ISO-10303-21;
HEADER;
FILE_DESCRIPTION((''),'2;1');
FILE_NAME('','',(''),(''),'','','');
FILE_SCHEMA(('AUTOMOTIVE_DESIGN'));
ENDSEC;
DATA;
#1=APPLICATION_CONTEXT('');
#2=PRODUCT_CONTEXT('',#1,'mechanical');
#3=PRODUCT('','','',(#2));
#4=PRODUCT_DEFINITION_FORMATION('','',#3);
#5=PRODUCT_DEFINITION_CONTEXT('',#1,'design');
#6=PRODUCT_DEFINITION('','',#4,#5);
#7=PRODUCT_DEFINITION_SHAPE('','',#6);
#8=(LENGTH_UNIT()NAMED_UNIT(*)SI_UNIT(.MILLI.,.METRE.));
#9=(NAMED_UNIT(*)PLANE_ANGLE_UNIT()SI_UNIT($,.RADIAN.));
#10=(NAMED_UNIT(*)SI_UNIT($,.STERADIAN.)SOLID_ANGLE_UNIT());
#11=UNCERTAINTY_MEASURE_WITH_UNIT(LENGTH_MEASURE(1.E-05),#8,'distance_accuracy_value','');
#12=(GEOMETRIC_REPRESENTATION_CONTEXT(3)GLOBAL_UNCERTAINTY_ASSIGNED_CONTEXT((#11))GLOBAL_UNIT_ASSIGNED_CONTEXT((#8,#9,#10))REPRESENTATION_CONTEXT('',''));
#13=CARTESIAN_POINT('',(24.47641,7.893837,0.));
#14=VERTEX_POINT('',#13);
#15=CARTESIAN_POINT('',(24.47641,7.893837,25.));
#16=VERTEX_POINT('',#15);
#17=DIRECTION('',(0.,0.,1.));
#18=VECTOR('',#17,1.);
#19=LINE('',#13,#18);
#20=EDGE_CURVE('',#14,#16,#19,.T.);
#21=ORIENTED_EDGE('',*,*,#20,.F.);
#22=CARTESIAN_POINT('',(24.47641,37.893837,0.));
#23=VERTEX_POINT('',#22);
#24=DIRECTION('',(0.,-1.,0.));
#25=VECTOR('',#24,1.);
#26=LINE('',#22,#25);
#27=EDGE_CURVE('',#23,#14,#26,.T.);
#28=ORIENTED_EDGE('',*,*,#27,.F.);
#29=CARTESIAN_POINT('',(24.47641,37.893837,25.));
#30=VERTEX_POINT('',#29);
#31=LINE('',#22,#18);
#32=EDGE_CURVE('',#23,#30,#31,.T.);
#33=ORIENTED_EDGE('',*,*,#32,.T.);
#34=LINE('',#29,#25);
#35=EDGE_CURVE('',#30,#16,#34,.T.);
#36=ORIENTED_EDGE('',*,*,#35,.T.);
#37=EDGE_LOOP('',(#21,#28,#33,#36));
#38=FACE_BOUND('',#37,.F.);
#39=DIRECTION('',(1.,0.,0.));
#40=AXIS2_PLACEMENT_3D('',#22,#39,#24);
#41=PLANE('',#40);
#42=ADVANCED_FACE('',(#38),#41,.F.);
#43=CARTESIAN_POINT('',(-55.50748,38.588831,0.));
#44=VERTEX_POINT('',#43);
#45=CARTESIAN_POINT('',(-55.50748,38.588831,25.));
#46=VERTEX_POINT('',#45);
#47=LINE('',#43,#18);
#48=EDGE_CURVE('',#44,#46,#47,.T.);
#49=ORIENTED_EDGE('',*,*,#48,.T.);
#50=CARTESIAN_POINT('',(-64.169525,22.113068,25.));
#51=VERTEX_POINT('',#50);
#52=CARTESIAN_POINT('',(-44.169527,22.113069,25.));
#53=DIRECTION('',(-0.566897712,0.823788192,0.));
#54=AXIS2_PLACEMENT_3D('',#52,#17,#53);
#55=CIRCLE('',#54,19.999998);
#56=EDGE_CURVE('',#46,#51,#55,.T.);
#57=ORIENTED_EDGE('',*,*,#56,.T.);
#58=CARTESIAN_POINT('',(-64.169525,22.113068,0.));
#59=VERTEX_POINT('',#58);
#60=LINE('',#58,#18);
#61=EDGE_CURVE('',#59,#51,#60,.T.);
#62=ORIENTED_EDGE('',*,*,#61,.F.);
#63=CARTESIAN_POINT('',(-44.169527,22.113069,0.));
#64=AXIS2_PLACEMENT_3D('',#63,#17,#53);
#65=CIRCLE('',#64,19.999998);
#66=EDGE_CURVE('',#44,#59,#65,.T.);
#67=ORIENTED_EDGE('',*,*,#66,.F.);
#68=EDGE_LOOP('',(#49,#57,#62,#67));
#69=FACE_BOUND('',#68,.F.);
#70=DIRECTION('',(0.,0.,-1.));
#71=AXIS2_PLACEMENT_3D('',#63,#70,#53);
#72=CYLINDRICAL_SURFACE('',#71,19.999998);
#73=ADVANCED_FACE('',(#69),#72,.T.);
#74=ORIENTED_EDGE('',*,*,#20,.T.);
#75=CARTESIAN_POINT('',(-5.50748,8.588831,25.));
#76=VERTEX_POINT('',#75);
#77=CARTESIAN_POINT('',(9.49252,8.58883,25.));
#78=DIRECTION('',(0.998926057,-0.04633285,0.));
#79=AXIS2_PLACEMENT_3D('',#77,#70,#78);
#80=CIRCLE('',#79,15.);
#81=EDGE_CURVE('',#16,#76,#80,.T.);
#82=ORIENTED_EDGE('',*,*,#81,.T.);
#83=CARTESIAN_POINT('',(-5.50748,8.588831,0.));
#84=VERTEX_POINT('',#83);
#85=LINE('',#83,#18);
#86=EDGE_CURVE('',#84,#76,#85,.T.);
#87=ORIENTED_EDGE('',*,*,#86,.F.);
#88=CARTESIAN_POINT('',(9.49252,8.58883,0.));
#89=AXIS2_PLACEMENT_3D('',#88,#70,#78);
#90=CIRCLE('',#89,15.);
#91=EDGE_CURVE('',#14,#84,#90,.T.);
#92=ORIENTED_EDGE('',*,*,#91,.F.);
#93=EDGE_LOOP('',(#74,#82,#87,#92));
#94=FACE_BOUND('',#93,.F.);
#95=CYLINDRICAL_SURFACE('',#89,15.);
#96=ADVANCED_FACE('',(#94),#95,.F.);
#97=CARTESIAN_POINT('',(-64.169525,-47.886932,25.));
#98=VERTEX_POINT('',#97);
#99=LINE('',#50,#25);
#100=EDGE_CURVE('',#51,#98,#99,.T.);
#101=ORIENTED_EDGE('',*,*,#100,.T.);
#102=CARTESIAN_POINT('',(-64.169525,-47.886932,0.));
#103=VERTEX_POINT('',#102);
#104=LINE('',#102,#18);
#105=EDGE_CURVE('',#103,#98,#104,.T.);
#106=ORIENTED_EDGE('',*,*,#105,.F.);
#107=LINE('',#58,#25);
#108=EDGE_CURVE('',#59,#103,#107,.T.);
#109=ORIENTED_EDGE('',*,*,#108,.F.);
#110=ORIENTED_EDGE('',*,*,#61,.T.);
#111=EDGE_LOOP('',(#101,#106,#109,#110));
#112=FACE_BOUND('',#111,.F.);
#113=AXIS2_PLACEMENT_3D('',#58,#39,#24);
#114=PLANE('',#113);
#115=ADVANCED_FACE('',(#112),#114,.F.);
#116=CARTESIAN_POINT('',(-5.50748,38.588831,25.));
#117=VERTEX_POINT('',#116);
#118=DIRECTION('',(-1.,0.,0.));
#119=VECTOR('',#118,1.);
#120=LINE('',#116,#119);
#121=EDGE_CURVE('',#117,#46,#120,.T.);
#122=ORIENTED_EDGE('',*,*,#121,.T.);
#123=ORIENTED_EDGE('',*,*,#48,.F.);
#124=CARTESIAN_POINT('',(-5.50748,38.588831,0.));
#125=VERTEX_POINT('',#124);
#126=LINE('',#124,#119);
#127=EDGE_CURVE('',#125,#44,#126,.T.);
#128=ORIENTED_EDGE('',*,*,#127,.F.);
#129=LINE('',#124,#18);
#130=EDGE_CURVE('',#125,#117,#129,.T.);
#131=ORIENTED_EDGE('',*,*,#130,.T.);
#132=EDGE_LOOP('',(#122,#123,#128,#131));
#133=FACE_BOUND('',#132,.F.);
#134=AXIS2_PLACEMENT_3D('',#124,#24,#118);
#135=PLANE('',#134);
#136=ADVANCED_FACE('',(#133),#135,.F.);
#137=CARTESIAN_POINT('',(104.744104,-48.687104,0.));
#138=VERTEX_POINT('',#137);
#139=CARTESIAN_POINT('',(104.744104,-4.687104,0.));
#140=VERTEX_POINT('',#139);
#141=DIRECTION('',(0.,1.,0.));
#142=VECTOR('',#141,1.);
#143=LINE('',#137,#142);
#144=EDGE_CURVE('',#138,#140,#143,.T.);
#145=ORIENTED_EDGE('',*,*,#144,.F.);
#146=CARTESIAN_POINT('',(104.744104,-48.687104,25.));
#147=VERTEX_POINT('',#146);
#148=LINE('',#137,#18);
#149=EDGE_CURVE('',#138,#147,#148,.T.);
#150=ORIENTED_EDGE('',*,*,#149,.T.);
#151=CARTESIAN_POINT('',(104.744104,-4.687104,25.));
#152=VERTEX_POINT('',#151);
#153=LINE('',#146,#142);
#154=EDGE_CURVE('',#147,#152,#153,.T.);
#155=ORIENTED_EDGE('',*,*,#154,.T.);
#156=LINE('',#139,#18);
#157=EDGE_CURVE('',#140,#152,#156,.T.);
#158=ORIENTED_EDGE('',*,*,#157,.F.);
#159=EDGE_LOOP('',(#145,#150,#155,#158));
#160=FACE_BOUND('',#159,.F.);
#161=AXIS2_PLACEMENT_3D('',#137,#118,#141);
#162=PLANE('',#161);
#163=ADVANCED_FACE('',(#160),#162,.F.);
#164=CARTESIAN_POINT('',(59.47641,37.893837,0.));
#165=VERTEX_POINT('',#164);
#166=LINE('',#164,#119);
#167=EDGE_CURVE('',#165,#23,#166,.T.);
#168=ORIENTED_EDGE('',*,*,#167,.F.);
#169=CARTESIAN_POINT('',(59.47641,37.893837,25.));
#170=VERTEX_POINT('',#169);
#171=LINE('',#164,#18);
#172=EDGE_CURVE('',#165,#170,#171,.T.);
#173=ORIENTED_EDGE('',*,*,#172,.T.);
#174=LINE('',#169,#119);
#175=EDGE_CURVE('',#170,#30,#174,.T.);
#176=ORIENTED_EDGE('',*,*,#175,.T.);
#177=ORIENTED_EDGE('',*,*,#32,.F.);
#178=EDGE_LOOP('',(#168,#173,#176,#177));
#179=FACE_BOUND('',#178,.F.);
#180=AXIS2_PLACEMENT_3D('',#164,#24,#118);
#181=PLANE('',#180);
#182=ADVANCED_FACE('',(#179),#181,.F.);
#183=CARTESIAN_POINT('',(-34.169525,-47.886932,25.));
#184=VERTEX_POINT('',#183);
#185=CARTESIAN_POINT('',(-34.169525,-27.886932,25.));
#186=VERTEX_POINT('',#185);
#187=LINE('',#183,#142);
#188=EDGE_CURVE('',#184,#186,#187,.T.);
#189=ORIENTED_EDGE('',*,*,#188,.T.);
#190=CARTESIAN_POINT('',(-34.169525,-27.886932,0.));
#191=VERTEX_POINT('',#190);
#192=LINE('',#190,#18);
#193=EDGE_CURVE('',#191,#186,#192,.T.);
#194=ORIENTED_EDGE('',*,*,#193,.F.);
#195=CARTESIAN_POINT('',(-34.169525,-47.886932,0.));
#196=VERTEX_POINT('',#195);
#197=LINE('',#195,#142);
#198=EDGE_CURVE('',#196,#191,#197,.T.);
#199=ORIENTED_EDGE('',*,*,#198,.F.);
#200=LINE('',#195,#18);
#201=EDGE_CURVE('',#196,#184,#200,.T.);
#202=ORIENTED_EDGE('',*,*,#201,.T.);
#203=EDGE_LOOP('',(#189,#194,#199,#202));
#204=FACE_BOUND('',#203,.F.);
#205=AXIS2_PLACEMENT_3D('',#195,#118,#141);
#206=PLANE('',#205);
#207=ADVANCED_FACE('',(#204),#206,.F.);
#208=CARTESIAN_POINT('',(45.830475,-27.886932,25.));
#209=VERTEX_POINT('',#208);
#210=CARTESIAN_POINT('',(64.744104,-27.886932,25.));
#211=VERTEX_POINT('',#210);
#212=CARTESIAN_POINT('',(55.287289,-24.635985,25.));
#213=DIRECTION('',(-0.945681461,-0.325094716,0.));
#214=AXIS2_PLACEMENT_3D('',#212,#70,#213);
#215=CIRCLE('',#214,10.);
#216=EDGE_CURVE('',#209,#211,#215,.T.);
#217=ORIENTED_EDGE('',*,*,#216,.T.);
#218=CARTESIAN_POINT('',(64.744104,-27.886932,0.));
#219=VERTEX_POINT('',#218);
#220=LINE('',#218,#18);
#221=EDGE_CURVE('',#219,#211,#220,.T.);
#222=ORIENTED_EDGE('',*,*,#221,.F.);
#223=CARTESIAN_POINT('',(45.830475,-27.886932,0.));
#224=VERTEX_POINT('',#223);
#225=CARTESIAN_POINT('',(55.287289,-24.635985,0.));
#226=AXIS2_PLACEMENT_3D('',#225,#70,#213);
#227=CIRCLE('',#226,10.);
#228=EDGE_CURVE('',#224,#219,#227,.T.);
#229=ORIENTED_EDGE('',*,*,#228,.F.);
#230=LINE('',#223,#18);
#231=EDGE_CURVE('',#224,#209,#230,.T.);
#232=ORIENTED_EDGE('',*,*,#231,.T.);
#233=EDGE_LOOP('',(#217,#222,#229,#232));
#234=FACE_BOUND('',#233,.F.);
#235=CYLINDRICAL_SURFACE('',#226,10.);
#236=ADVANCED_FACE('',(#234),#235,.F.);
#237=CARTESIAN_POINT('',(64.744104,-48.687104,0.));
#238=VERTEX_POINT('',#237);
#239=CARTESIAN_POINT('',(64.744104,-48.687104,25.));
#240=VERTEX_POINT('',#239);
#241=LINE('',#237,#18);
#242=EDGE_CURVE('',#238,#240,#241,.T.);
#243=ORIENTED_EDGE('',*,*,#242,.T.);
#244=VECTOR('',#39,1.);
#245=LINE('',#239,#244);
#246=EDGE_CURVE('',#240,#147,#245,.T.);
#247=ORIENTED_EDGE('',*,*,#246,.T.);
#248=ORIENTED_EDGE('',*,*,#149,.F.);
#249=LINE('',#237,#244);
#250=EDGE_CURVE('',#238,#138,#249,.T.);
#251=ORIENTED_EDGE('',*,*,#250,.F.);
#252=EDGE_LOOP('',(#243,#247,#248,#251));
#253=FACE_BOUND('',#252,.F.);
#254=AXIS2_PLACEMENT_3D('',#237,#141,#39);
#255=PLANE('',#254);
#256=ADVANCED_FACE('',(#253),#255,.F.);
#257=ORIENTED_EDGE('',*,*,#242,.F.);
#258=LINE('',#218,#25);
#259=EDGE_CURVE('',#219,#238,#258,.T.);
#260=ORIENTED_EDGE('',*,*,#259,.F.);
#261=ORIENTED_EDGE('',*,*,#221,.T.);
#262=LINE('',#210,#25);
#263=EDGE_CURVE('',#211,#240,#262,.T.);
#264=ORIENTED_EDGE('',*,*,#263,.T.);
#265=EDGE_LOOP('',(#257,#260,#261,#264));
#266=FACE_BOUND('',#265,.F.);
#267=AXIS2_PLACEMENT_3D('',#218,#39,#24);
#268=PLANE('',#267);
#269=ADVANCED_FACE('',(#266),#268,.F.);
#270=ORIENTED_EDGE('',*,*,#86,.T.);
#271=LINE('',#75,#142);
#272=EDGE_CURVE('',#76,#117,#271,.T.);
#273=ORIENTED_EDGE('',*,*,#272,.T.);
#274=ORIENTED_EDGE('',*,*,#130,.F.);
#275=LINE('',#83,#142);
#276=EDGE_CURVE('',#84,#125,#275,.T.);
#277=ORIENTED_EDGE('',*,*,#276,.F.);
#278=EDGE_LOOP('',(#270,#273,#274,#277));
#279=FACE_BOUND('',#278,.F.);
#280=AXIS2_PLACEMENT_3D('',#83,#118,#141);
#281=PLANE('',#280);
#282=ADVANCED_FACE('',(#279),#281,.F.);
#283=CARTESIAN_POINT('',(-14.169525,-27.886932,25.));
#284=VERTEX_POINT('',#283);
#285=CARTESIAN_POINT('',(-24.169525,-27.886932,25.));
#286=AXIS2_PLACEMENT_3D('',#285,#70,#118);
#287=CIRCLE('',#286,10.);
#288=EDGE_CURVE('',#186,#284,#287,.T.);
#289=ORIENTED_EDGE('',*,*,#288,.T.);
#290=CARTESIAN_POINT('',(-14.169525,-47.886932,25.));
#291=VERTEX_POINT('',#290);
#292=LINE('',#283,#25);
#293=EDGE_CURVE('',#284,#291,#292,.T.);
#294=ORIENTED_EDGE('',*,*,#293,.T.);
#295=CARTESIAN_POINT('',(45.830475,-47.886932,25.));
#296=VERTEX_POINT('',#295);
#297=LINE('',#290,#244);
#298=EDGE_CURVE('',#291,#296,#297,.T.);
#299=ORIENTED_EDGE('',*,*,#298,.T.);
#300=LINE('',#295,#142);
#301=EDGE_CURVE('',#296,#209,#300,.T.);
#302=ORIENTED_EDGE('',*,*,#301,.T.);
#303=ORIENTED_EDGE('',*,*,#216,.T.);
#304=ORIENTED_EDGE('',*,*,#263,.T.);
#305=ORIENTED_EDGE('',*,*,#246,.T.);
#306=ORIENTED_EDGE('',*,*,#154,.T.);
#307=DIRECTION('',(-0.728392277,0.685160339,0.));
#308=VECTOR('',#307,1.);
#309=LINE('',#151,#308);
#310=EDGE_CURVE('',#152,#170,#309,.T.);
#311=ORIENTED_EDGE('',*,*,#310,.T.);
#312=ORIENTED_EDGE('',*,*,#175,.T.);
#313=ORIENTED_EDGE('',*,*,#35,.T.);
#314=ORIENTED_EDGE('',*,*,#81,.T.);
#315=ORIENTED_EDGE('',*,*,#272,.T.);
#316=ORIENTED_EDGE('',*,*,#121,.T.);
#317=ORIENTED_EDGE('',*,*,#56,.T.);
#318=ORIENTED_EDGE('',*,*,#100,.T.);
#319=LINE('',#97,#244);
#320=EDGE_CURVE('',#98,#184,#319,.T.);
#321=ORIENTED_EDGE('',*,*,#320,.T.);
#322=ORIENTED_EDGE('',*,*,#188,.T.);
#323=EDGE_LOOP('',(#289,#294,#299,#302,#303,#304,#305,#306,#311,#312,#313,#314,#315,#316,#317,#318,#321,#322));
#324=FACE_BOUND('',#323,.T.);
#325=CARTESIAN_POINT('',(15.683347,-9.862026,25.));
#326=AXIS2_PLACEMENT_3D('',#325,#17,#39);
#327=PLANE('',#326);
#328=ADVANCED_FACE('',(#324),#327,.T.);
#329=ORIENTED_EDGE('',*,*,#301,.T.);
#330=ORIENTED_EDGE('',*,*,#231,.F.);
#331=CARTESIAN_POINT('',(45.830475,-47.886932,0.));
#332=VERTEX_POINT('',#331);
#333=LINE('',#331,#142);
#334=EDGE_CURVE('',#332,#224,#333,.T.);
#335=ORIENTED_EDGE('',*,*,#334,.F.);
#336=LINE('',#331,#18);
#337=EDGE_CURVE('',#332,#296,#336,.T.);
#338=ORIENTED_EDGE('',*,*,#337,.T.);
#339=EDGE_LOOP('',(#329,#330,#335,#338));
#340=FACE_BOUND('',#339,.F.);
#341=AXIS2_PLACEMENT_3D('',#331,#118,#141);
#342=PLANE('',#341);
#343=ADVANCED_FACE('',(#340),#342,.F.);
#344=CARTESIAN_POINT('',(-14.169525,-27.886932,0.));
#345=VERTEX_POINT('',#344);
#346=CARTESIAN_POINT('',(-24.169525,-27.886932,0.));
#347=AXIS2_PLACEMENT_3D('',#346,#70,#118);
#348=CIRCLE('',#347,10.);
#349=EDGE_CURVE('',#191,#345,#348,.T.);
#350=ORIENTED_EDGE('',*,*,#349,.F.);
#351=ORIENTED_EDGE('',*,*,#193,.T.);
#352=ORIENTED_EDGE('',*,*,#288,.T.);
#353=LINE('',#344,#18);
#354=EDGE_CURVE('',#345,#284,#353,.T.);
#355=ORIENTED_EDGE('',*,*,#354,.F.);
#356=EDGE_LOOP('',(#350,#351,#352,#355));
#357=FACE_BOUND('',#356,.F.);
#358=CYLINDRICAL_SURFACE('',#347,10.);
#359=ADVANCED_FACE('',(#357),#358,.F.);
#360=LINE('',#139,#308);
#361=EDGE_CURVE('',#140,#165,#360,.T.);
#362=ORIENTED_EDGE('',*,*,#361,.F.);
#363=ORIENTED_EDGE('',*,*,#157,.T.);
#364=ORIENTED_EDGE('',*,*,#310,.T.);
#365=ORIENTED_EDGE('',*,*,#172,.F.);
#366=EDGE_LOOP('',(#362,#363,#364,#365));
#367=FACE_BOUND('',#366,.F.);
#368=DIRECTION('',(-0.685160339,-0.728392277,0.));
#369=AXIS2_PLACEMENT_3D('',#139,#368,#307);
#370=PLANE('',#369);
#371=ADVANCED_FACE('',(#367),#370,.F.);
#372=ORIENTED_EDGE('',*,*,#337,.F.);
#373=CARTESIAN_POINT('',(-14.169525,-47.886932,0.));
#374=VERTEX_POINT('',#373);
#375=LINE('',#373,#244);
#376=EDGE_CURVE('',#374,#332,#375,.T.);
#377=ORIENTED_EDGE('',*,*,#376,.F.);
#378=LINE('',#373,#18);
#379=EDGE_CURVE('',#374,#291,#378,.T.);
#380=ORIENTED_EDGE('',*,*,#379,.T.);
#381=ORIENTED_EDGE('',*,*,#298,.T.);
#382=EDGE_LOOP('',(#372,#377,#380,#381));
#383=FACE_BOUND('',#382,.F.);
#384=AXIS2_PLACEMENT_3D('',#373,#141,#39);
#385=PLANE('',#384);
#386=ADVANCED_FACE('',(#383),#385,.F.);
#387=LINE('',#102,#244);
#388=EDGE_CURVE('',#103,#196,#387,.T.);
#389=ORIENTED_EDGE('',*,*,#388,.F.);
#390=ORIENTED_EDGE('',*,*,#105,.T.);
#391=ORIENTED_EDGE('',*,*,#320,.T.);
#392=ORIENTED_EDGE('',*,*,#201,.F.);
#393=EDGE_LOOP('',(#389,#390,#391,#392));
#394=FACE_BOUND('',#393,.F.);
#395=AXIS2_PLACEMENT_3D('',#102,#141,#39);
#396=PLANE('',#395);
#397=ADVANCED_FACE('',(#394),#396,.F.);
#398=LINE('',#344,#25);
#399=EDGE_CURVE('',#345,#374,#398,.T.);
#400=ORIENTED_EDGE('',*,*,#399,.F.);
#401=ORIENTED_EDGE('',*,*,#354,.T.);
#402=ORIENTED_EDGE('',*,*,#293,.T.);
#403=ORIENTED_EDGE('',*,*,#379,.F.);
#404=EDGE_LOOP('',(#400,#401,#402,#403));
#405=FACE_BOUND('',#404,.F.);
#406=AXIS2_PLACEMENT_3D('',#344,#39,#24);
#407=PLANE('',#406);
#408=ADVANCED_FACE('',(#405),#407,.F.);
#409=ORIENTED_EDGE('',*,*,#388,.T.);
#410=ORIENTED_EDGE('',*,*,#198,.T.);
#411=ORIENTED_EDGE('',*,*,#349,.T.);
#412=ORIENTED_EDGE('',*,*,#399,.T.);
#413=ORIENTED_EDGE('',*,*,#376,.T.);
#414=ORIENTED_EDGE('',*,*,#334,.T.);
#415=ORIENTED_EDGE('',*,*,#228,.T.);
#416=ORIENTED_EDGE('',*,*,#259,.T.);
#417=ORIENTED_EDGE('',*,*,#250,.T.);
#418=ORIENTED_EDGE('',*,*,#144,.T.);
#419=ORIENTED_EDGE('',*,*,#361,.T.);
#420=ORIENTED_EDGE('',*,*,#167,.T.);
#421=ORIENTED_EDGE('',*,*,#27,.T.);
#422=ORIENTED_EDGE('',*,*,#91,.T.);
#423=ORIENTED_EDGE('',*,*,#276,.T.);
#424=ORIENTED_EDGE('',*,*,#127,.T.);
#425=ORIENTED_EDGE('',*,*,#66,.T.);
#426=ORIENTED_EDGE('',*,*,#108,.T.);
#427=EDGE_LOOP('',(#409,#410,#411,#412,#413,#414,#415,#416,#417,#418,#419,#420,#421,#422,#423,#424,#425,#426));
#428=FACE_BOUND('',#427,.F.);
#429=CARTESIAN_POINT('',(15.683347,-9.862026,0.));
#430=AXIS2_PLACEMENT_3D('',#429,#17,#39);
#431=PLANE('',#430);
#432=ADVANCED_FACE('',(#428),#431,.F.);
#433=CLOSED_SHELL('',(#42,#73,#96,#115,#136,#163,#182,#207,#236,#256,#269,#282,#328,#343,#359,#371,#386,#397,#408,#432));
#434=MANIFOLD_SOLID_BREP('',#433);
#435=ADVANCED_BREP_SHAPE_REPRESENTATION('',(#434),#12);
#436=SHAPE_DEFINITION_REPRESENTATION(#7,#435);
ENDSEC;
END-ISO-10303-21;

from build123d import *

# Parameters (mm, degrees)
F1_DEPTH = 25


with BuildPart() as f1:
    # F0 (on Top) → F1 (new body)
    with BuildSketch(Plane.XY):
        with BuildLine():
            Line((-64.169525, 22.113068), (-64.169525, -47.886932))
            Line((-64.169525, -47.886932), (-34.169525, -47.886932))
            Line((-34.169525, -47.886932), (-34.169525, -27.886932))
            ThreePointArc((-34.169525, -27.886932), (-24.169525, -17.886932), (-14.169525, -27.886932))
            Line((-14.169525, -27.886932), (-14.169525, -47.886932))
            Line((-14.169525, -47.886932), (45.830475, -47.886932))
            Line((45.830475, -47.886932), (45.830475, -27.886932))
            ThreePointArc((45.830475, -27.886932), (55.28729, -14.635985), (64.744104, -27.886932))
            Line((64.744104, -27.886932), (64.744104, -48.687104))
            Line((64.744104, -48.687104), (104.744104, -48.687104))
            Line((104.744104, -48.687104), (104.744104, -4.687104))
            Line((104.744104, -4.687104), (59.47641, 37.893837))
            Line((59.47641, 37.893837), (24.47641, 37.893837))
            Line((24.47641, 37.893837), (24.47641, 7.893837))
            ThreePointArc((24.47641, 7.893837), (9.144929, -6.407142), (-5.50748, 8.588831))
            Line((-5.50748, 8.588831), (-5.50748, 38.588831))
            Line((-5.50748, 38.588831), (-55.50748, 38.588831))
            ThreePointArc((-55.50748, 38.588831), (-61.872055, 31.420078), (-64.169525, 22.113068))
        make_face()
    extrude(amount=F1_DEPTH)


solid = f1.part
